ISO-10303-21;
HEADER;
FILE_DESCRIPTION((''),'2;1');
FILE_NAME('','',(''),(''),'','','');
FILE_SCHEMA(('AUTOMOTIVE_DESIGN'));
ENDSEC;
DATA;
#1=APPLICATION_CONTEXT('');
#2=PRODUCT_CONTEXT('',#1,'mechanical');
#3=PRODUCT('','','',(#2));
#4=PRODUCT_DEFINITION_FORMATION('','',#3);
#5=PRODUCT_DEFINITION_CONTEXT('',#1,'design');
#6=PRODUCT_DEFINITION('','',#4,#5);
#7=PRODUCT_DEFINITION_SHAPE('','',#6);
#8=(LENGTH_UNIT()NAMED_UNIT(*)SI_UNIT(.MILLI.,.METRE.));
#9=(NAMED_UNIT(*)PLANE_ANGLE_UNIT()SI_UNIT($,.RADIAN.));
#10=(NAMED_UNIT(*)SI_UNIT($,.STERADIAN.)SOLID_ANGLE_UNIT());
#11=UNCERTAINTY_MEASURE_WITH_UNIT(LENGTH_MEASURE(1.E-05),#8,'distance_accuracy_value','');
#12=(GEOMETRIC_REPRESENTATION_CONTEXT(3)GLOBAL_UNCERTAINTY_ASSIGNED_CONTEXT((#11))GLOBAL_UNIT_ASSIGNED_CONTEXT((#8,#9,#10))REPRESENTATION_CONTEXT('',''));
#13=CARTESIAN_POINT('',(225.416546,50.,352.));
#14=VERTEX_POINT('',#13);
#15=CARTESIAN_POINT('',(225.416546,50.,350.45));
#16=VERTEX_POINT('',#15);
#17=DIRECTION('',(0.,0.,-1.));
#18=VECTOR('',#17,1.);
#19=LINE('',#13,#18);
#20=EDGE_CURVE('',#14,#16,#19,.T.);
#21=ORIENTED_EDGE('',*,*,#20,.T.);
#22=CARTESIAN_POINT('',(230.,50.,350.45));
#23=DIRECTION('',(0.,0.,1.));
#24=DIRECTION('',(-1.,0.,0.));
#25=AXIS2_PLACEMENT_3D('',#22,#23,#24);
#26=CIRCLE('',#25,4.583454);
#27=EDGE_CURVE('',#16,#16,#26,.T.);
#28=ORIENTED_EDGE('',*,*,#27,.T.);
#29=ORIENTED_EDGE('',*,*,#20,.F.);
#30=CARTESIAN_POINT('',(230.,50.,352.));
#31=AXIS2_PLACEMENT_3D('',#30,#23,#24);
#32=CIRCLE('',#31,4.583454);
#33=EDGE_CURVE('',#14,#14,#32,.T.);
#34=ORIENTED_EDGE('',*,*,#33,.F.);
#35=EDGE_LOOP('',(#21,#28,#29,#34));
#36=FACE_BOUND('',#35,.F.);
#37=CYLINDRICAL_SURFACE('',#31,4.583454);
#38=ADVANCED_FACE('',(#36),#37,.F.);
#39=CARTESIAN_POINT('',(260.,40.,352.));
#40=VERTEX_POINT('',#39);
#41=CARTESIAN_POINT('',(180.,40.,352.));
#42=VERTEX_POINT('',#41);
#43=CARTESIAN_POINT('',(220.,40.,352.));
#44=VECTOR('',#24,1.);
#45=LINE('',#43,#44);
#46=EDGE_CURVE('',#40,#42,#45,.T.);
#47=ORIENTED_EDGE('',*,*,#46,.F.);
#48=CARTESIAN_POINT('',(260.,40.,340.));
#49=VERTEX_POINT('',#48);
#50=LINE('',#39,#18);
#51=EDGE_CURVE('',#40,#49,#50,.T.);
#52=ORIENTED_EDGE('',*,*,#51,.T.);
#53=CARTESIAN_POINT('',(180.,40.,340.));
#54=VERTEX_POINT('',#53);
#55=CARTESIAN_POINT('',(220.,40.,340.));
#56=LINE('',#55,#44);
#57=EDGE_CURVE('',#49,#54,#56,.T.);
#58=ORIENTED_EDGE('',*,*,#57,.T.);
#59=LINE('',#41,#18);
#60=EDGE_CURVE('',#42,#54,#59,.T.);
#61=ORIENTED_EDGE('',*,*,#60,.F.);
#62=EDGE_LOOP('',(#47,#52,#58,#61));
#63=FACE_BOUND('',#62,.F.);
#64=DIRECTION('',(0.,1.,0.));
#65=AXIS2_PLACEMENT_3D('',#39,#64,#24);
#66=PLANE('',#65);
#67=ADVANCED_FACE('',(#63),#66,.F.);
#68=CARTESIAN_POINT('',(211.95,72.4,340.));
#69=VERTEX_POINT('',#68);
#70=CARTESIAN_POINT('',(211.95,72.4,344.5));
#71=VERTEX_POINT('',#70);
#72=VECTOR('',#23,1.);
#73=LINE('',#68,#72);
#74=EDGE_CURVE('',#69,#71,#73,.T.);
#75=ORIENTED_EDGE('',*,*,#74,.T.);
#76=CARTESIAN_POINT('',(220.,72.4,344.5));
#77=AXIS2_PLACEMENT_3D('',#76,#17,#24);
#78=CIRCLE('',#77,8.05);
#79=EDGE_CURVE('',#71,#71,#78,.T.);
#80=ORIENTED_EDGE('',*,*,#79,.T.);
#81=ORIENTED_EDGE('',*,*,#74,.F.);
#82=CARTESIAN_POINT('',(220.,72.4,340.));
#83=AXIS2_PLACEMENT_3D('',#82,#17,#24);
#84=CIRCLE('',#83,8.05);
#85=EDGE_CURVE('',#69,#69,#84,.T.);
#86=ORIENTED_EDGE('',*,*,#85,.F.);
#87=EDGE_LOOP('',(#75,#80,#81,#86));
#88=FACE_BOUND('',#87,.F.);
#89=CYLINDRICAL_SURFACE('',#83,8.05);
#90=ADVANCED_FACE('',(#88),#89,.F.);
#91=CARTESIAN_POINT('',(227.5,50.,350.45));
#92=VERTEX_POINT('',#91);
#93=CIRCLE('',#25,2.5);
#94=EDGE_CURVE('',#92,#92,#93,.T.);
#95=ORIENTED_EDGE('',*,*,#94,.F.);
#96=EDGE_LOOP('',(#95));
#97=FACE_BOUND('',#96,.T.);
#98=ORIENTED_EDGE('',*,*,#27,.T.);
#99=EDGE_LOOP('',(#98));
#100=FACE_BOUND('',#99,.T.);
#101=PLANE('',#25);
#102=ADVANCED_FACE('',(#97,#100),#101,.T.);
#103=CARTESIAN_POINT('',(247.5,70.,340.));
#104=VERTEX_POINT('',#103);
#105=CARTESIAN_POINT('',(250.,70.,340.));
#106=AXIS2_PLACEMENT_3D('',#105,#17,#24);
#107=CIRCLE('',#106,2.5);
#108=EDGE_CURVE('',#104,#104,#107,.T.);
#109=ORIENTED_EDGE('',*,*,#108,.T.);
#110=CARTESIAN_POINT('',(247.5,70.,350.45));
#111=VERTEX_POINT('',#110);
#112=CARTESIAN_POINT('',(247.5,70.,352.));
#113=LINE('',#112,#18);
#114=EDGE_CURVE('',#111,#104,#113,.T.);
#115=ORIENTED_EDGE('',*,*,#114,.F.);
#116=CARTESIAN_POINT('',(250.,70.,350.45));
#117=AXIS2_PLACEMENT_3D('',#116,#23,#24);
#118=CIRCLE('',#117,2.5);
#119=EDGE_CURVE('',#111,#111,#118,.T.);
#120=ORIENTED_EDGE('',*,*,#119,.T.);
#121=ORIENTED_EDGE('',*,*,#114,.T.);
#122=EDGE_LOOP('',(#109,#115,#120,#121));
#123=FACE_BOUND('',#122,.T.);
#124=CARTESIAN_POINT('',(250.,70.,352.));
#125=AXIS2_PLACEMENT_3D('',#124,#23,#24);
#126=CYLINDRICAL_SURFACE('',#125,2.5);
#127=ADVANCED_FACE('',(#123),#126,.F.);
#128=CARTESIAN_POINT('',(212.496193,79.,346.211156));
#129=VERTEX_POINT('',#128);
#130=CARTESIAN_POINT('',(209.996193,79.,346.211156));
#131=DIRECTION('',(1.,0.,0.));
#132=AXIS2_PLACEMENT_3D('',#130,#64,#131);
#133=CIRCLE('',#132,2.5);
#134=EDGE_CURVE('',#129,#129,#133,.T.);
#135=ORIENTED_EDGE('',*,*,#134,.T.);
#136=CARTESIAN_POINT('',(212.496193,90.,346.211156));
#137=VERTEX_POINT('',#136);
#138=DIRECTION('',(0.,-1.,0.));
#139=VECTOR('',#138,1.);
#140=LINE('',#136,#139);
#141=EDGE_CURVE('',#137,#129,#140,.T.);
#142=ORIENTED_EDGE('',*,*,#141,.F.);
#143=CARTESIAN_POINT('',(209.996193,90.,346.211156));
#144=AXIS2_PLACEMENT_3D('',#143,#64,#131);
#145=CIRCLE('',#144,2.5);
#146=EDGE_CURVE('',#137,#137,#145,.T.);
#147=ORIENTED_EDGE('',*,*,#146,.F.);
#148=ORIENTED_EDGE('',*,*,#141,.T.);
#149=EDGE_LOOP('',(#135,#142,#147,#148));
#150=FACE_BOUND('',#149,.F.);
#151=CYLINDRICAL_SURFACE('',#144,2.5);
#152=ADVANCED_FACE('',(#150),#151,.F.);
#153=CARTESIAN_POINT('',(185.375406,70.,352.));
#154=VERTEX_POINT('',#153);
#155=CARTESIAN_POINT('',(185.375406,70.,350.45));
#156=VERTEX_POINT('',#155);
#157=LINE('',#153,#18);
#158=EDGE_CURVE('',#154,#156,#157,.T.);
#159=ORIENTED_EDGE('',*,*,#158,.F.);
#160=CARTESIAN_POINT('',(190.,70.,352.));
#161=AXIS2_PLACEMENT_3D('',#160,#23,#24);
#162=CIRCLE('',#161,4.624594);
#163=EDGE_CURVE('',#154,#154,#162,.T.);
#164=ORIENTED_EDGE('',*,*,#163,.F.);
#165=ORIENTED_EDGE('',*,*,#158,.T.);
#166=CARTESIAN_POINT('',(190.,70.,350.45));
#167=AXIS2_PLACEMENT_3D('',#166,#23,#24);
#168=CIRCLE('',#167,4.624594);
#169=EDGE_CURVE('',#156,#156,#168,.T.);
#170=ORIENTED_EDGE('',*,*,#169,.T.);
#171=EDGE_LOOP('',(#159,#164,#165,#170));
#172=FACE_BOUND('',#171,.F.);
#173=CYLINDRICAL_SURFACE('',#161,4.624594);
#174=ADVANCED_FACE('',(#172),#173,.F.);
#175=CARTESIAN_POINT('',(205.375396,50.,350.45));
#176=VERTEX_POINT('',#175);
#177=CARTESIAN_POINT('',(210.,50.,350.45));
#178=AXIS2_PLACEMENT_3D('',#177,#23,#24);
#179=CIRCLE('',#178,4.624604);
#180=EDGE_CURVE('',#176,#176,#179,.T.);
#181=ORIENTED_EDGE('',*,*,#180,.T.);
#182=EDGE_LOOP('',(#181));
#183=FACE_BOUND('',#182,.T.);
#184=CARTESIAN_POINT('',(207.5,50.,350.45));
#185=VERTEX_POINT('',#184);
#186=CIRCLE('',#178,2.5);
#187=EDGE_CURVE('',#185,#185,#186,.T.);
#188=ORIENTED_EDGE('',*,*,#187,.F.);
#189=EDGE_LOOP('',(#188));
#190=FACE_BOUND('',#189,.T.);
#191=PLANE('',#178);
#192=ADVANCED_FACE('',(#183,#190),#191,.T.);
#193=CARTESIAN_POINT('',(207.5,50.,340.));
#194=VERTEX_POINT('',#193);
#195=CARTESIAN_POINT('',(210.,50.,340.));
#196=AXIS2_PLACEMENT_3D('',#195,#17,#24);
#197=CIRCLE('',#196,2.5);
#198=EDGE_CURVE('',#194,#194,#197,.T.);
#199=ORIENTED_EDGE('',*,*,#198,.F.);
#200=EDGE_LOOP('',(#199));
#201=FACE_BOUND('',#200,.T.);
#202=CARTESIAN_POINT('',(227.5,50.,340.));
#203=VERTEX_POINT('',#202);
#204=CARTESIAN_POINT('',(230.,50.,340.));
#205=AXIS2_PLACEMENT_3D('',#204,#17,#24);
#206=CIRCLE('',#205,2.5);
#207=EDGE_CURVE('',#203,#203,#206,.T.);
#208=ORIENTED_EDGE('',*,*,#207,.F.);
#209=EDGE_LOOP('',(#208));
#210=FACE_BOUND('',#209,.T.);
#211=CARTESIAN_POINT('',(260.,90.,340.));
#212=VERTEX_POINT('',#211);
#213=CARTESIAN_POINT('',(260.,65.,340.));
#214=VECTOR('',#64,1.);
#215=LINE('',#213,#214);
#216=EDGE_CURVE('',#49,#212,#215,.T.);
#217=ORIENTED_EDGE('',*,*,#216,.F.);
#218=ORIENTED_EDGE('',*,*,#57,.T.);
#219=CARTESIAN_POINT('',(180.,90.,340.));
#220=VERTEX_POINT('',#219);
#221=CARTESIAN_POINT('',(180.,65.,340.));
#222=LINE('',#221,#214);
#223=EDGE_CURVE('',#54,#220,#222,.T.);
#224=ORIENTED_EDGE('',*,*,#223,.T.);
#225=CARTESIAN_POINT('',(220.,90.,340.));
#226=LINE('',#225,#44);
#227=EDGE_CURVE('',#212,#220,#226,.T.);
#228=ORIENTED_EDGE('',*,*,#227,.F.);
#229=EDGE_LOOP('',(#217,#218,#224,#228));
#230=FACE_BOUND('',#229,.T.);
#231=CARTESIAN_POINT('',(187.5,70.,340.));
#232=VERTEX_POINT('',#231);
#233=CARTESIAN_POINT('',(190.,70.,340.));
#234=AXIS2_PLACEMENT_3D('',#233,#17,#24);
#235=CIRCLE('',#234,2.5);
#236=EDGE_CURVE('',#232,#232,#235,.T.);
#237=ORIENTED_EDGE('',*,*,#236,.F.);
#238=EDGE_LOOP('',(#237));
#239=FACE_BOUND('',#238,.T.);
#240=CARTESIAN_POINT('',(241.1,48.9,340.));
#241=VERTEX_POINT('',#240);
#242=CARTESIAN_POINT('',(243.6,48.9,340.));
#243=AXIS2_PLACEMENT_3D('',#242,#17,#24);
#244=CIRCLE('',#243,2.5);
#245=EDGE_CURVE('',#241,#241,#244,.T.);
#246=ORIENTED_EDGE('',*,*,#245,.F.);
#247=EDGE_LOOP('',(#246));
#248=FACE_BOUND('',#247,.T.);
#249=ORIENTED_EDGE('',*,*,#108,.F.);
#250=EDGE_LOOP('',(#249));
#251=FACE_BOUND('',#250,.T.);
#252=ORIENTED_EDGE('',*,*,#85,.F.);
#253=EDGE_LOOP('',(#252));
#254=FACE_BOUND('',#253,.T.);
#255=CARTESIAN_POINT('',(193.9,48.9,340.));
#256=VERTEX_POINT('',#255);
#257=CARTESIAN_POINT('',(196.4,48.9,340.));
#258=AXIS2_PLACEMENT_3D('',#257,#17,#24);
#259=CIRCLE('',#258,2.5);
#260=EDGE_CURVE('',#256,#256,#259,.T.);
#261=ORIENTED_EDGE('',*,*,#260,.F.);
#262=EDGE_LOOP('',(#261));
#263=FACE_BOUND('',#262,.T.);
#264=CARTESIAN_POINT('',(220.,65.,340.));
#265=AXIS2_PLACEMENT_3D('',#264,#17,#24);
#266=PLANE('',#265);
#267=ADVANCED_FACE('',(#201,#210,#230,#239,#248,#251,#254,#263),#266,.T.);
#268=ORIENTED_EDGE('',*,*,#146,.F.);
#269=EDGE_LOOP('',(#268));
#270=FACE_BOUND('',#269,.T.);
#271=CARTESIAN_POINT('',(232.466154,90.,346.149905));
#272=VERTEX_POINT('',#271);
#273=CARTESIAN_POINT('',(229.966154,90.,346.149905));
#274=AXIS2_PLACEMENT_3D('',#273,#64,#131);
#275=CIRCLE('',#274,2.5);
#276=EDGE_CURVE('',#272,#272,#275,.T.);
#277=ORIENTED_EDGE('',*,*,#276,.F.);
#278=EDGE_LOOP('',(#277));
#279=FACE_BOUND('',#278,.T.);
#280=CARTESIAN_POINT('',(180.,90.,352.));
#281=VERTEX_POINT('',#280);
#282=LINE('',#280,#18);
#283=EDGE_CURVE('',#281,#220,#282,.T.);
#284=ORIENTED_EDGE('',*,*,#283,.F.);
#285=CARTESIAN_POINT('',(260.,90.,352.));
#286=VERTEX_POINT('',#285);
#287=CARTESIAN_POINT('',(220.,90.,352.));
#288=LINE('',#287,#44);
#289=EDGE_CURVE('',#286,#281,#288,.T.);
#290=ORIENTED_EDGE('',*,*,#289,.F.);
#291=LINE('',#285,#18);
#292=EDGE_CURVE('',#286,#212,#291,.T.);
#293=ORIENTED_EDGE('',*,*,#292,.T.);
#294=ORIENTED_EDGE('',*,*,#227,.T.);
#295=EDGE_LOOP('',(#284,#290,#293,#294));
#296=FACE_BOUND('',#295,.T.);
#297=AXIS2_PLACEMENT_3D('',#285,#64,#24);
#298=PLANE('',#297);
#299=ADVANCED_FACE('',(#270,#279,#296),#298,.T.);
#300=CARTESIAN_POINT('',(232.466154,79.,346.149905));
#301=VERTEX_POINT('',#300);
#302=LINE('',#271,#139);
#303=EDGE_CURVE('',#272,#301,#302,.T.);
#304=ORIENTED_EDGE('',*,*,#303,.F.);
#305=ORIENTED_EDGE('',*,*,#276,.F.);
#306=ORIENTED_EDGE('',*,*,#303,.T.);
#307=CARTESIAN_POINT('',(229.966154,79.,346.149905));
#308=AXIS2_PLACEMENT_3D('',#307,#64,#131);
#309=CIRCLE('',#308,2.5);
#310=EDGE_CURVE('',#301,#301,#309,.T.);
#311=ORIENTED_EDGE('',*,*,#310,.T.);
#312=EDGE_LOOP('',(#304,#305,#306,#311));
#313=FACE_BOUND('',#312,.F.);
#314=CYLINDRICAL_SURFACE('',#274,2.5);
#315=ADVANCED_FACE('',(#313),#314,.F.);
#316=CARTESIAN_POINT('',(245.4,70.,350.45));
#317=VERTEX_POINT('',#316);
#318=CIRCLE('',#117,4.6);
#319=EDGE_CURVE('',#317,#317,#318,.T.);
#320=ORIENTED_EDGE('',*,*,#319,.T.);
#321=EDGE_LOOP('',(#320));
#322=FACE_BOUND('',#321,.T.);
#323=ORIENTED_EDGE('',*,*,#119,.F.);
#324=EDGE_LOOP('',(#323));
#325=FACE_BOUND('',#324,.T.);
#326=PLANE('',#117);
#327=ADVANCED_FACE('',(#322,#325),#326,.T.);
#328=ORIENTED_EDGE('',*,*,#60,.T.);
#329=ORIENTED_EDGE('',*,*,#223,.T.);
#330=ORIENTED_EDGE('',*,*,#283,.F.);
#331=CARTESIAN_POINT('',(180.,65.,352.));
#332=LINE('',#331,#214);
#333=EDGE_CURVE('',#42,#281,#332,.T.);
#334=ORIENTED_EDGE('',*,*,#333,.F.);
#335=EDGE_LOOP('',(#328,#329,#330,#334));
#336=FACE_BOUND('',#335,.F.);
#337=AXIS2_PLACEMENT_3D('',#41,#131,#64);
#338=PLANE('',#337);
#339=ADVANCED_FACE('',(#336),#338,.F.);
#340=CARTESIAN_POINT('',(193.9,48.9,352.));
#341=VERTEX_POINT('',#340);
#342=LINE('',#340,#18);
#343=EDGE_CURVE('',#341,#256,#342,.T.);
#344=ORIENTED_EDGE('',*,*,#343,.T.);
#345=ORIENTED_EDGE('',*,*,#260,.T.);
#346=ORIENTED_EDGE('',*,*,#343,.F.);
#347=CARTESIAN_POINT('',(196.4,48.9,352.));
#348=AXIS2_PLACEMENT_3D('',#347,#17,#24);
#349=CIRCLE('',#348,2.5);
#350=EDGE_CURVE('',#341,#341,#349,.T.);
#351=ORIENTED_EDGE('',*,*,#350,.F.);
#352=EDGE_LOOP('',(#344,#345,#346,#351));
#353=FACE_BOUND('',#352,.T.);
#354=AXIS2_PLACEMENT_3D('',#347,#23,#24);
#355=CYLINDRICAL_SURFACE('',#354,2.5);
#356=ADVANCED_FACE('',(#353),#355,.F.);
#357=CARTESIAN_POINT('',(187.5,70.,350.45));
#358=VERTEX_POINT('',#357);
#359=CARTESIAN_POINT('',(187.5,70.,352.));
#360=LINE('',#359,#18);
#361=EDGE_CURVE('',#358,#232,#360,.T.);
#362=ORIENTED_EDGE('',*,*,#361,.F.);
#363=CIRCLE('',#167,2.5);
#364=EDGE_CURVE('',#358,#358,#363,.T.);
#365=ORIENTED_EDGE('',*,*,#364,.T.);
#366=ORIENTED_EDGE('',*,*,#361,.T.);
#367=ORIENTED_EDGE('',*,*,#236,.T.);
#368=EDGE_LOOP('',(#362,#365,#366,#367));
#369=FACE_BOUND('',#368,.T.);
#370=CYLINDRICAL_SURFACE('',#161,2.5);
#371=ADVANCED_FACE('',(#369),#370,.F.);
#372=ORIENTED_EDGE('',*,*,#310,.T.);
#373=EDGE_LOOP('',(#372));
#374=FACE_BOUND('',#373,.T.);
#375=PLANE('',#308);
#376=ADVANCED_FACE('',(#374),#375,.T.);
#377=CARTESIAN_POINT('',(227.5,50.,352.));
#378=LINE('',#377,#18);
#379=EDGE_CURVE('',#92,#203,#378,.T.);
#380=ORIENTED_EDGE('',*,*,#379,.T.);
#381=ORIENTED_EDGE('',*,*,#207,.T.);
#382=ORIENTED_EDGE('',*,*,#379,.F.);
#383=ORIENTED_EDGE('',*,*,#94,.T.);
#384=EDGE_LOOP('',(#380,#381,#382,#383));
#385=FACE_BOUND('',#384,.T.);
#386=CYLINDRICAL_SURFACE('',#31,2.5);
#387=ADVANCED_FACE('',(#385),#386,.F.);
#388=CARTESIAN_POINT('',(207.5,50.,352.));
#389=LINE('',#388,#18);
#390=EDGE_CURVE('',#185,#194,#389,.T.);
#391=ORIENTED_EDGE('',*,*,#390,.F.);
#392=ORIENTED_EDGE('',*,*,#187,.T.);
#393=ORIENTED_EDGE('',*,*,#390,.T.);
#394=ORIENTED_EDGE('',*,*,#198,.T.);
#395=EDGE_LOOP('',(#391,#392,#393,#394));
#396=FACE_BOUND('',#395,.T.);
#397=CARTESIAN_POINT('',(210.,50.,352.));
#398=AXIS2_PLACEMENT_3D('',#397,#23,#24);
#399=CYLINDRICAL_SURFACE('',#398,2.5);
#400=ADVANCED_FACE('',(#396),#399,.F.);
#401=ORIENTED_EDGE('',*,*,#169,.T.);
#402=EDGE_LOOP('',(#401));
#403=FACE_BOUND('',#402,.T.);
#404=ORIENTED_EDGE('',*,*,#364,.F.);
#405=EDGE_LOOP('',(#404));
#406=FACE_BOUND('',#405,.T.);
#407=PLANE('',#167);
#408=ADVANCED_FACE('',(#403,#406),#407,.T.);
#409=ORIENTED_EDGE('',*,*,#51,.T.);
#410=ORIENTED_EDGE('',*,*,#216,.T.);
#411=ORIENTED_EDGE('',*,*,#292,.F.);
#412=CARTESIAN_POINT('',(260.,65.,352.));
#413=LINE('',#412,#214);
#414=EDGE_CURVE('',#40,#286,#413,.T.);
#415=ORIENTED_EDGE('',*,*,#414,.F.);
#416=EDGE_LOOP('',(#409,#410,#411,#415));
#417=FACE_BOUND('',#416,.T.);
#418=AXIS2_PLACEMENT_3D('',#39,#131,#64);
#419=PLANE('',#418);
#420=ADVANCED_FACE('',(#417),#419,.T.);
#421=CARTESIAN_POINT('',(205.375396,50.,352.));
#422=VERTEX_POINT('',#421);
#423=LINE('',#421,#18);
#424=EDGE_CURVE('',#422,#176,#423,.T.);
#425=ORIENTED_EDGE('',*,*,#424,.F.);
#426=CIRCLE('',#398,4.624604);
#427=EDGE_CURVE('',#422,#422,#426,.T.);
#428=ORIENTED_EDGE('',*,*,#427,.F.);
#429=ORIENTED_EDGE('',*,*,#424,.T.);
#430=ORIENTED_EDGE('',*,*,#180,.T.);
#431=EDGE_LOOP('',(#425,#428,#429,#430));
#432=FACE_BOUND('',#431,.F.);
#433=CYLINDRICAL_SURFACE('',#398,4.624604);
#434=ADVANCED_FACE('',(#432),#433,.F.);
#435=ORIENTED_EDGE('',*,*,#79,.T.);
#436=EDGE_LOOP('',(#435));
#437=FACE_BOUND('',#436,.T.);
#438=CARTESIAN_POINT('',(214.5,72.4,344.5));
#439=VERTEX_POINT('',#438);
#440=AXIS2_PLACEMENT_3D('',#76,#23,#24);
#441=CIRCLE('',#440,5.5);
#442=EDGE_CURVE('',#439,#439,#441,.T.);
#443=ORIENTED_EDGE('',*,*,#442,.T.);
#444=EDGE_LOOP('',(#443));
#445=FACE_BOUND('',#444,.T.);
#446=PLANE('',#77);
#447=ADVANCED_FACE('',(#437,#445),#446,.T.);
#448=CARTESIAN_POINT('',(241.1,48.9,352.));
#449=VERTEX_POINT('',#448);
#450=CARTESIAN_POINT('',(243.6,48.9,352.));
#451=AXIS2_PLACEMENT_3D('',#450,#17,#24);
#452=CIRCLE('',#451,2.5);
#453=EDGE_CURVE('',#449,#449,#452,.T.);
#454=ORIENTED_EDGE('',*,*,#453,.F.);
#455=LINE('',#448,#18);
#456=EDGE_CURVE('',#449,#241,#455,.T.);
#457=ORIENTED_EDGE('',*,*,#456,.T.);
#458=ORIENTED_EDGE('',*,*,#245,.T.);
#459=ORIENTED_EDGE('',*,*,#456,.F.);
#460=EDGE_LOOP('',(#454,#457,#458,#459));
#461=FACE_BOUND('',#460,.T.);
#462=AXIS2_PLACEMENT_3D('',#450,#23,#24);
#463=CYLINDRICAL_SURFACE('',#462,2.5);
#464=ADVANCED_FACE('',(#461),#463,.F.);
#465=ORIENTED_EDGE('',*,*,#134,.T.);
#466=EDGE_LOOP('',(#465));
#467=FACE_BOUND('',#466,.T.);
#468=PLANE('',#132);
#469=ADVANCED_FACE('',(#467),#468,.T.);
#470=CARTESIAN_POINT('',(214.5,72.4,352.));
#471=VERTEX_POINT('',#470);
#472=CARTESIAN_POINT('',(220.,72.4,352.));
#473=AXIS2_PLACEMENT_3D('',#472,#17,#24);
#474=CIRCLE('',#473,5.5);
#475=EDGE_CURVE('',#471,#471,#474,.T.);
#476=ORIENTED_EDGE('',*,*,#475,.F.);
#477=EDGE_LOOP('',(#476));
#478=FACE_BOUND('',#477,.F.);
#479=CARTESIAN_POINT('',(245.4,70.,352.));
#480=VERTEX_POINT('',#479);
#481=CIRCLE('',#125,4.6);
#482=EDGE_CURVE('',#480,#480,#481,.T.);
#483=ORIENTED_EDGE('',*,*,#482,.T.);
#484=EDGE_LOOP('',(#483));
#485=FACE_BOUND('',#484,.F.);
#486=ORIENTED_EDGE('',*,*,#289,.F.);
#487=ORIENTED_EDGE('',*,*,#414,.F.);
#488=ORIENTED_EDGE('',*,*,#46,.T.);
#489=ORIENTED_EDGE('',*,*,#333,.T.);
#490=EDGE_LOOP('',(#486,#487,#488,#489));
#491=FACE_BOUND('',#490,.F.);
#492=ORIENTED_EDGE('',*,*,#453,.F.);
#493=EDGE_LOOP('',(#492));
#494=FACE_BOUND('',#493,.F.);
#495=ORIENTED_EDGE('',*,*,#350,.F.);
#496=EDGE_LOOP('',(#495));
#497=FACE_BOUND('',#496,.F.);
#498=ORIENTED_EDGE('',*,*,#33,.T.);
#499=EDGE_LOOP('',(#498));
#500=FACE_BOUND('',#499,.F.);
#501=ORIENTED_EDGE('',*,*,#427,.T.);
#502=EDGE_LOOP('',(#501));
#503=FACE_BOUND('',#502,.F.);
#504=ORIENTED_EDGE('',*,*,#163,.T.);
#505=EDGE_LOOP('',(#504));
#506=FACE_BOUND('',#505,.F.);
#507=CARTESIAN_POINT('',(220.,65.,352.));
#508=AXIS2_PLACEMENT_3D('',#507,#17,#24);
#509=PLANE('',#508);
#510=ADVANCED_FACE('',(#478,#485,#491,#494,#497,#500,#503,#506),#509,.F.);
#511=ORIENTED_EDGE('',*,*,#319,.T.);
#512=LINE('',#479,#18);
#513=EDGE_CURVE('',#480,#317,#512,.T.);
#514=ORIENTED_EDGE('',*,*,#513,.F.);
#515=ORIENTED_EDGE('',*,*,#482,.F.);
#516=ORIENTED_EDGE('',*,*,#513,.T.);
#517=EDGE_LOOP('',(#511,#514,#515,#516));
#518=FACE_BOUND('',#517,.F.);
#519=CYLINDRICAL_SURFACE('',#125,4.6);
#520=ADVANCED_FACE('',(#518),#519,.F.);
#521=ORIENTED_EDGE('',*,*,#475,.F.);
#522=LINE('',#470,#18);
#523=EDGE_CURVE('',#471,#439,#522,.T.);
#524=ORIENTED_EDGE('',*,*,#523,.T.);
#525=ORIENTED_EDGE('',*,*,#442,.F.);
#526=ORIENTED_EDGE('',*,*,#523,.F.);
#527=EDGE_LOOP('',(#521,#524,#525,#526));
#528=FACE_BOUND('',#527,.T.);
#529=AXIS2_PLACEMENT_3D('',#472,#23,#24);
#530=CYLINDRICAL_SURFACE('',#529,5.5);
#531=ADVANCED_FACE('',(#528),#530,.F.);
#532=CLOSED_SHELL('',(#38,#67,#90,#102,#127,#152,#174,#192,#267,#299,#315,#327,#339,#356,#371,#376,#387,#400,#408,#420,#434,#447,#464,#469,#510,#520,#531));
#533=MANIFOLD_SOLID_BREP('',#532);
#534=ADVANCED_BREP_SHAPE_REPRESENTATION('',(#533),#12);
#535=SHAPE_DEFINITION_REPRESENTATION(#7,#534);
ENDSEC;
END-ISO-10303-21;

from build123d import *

# Parameters (mm, degrees)
SKETCH120_W     = 80
SKETCH120_H     = 50
SKETCH120_R     = 2.5
SKETCH120_R_2   = 5.5
PAD038_DEPTH    = 12
SKETCH121_R     = 2.5
POCKET077_DEPTH = 11
SKETCH122_R     = 8.05
POCKET078_DEPTH = 4.5
SKETCH123_R     = 4.6
SKETCH123_R_2   = 4.624594
SKETCH123_R_3   = 4.583454
SKETCH123_R_4   = 4.624604
POCKET079_DEPTH = 1.55


with BuildPart() as part:
    # Sketch120 → Pad038 (new body)
    with BuildSketch(Plane(origin=(260, 40, 352), x_dir=(-1, 0, 0), z_dir=(0, 0, -1))):
        with Locations((40, 25)):
            Rectangle(SKETCH120_W, SKETCH120_H)
        with Locations((10, 30)):
            Circle(SKETCH120_R, mode=Mode.SUBTRACT)
        with Locations((30, 10)):
            Circle(SKETCH120_R, mode=Mode.SUBTRACT)
        with Locations((16.4, 8.9)):
            Circle(SKETCH120_R, mode=Mode.SUBTRACT)
        with Locations((50, 10)):
            Circle(SKETCH120_R, mode=Mode.SUBTRACT)
        with Locations((63.6, 8.9)):
            Circle(SKETCH120_R, mode=Mode.SUBTRACT)
        with Locations((70, 30)):
            Circle(SKETCH120_R, mode=Mode.SUBTRACT)
        with Locations((40, 32.4)):
            Circle(SKETCH120_R_2, mode=Mode.SUBTRACT)
    extrude(amount=PAD038_DEPTH)

    # Sketch121 → Pocket077 (cut)
    with BuildSketch(Plane(origin=(260, 90, 352), x_dir=(1, 0, 0), z_dir=(0, 1, 0))):
        with Locations((-30.033846, 5.850095)):
            Circle(SKETCH121_R)
        with Locations((-50.003807, 5.788844)):
            Circle(SKETCH121_R)
    extrude(amount=-POCKET077_DEPTH, mode=Mode.SUBTRACT)

    # Sketch122 → Pocket078 (cut)
    with BuildSketch(Plane(origin=(260, 40, 340), x_dir=(-1, 0, 0), z_dir=(0, 0, -1))):
        with Locations((40, 32.4)):
            Circle(SKETCH122_R)
    extrude(amount=-POCKET078_DEPTH, mode=Mode.SUBTRACT)

    # Sketch123 → Pocket079 (cut)
    with BuildSketch(Plane(origin=(260, 40, 352), x_dir=(-1, 0, 0), z_dir=(0, 0, 1))):
        with Locations((10, -30)):
            Circle(SKETCH123_R)
        with Locations((70, -30)):
            Circle(SKETCH123_R_2)
        with Locations((30, -10)):
            Circle(SKETCH123_R_3)
        with Locations((50, -10)):
            Circle(SKETCH123_R_4)
    extrude(amount=-POCKET079_DEPTH, mode=Mode.SUBTRACT)


solid = part.part
